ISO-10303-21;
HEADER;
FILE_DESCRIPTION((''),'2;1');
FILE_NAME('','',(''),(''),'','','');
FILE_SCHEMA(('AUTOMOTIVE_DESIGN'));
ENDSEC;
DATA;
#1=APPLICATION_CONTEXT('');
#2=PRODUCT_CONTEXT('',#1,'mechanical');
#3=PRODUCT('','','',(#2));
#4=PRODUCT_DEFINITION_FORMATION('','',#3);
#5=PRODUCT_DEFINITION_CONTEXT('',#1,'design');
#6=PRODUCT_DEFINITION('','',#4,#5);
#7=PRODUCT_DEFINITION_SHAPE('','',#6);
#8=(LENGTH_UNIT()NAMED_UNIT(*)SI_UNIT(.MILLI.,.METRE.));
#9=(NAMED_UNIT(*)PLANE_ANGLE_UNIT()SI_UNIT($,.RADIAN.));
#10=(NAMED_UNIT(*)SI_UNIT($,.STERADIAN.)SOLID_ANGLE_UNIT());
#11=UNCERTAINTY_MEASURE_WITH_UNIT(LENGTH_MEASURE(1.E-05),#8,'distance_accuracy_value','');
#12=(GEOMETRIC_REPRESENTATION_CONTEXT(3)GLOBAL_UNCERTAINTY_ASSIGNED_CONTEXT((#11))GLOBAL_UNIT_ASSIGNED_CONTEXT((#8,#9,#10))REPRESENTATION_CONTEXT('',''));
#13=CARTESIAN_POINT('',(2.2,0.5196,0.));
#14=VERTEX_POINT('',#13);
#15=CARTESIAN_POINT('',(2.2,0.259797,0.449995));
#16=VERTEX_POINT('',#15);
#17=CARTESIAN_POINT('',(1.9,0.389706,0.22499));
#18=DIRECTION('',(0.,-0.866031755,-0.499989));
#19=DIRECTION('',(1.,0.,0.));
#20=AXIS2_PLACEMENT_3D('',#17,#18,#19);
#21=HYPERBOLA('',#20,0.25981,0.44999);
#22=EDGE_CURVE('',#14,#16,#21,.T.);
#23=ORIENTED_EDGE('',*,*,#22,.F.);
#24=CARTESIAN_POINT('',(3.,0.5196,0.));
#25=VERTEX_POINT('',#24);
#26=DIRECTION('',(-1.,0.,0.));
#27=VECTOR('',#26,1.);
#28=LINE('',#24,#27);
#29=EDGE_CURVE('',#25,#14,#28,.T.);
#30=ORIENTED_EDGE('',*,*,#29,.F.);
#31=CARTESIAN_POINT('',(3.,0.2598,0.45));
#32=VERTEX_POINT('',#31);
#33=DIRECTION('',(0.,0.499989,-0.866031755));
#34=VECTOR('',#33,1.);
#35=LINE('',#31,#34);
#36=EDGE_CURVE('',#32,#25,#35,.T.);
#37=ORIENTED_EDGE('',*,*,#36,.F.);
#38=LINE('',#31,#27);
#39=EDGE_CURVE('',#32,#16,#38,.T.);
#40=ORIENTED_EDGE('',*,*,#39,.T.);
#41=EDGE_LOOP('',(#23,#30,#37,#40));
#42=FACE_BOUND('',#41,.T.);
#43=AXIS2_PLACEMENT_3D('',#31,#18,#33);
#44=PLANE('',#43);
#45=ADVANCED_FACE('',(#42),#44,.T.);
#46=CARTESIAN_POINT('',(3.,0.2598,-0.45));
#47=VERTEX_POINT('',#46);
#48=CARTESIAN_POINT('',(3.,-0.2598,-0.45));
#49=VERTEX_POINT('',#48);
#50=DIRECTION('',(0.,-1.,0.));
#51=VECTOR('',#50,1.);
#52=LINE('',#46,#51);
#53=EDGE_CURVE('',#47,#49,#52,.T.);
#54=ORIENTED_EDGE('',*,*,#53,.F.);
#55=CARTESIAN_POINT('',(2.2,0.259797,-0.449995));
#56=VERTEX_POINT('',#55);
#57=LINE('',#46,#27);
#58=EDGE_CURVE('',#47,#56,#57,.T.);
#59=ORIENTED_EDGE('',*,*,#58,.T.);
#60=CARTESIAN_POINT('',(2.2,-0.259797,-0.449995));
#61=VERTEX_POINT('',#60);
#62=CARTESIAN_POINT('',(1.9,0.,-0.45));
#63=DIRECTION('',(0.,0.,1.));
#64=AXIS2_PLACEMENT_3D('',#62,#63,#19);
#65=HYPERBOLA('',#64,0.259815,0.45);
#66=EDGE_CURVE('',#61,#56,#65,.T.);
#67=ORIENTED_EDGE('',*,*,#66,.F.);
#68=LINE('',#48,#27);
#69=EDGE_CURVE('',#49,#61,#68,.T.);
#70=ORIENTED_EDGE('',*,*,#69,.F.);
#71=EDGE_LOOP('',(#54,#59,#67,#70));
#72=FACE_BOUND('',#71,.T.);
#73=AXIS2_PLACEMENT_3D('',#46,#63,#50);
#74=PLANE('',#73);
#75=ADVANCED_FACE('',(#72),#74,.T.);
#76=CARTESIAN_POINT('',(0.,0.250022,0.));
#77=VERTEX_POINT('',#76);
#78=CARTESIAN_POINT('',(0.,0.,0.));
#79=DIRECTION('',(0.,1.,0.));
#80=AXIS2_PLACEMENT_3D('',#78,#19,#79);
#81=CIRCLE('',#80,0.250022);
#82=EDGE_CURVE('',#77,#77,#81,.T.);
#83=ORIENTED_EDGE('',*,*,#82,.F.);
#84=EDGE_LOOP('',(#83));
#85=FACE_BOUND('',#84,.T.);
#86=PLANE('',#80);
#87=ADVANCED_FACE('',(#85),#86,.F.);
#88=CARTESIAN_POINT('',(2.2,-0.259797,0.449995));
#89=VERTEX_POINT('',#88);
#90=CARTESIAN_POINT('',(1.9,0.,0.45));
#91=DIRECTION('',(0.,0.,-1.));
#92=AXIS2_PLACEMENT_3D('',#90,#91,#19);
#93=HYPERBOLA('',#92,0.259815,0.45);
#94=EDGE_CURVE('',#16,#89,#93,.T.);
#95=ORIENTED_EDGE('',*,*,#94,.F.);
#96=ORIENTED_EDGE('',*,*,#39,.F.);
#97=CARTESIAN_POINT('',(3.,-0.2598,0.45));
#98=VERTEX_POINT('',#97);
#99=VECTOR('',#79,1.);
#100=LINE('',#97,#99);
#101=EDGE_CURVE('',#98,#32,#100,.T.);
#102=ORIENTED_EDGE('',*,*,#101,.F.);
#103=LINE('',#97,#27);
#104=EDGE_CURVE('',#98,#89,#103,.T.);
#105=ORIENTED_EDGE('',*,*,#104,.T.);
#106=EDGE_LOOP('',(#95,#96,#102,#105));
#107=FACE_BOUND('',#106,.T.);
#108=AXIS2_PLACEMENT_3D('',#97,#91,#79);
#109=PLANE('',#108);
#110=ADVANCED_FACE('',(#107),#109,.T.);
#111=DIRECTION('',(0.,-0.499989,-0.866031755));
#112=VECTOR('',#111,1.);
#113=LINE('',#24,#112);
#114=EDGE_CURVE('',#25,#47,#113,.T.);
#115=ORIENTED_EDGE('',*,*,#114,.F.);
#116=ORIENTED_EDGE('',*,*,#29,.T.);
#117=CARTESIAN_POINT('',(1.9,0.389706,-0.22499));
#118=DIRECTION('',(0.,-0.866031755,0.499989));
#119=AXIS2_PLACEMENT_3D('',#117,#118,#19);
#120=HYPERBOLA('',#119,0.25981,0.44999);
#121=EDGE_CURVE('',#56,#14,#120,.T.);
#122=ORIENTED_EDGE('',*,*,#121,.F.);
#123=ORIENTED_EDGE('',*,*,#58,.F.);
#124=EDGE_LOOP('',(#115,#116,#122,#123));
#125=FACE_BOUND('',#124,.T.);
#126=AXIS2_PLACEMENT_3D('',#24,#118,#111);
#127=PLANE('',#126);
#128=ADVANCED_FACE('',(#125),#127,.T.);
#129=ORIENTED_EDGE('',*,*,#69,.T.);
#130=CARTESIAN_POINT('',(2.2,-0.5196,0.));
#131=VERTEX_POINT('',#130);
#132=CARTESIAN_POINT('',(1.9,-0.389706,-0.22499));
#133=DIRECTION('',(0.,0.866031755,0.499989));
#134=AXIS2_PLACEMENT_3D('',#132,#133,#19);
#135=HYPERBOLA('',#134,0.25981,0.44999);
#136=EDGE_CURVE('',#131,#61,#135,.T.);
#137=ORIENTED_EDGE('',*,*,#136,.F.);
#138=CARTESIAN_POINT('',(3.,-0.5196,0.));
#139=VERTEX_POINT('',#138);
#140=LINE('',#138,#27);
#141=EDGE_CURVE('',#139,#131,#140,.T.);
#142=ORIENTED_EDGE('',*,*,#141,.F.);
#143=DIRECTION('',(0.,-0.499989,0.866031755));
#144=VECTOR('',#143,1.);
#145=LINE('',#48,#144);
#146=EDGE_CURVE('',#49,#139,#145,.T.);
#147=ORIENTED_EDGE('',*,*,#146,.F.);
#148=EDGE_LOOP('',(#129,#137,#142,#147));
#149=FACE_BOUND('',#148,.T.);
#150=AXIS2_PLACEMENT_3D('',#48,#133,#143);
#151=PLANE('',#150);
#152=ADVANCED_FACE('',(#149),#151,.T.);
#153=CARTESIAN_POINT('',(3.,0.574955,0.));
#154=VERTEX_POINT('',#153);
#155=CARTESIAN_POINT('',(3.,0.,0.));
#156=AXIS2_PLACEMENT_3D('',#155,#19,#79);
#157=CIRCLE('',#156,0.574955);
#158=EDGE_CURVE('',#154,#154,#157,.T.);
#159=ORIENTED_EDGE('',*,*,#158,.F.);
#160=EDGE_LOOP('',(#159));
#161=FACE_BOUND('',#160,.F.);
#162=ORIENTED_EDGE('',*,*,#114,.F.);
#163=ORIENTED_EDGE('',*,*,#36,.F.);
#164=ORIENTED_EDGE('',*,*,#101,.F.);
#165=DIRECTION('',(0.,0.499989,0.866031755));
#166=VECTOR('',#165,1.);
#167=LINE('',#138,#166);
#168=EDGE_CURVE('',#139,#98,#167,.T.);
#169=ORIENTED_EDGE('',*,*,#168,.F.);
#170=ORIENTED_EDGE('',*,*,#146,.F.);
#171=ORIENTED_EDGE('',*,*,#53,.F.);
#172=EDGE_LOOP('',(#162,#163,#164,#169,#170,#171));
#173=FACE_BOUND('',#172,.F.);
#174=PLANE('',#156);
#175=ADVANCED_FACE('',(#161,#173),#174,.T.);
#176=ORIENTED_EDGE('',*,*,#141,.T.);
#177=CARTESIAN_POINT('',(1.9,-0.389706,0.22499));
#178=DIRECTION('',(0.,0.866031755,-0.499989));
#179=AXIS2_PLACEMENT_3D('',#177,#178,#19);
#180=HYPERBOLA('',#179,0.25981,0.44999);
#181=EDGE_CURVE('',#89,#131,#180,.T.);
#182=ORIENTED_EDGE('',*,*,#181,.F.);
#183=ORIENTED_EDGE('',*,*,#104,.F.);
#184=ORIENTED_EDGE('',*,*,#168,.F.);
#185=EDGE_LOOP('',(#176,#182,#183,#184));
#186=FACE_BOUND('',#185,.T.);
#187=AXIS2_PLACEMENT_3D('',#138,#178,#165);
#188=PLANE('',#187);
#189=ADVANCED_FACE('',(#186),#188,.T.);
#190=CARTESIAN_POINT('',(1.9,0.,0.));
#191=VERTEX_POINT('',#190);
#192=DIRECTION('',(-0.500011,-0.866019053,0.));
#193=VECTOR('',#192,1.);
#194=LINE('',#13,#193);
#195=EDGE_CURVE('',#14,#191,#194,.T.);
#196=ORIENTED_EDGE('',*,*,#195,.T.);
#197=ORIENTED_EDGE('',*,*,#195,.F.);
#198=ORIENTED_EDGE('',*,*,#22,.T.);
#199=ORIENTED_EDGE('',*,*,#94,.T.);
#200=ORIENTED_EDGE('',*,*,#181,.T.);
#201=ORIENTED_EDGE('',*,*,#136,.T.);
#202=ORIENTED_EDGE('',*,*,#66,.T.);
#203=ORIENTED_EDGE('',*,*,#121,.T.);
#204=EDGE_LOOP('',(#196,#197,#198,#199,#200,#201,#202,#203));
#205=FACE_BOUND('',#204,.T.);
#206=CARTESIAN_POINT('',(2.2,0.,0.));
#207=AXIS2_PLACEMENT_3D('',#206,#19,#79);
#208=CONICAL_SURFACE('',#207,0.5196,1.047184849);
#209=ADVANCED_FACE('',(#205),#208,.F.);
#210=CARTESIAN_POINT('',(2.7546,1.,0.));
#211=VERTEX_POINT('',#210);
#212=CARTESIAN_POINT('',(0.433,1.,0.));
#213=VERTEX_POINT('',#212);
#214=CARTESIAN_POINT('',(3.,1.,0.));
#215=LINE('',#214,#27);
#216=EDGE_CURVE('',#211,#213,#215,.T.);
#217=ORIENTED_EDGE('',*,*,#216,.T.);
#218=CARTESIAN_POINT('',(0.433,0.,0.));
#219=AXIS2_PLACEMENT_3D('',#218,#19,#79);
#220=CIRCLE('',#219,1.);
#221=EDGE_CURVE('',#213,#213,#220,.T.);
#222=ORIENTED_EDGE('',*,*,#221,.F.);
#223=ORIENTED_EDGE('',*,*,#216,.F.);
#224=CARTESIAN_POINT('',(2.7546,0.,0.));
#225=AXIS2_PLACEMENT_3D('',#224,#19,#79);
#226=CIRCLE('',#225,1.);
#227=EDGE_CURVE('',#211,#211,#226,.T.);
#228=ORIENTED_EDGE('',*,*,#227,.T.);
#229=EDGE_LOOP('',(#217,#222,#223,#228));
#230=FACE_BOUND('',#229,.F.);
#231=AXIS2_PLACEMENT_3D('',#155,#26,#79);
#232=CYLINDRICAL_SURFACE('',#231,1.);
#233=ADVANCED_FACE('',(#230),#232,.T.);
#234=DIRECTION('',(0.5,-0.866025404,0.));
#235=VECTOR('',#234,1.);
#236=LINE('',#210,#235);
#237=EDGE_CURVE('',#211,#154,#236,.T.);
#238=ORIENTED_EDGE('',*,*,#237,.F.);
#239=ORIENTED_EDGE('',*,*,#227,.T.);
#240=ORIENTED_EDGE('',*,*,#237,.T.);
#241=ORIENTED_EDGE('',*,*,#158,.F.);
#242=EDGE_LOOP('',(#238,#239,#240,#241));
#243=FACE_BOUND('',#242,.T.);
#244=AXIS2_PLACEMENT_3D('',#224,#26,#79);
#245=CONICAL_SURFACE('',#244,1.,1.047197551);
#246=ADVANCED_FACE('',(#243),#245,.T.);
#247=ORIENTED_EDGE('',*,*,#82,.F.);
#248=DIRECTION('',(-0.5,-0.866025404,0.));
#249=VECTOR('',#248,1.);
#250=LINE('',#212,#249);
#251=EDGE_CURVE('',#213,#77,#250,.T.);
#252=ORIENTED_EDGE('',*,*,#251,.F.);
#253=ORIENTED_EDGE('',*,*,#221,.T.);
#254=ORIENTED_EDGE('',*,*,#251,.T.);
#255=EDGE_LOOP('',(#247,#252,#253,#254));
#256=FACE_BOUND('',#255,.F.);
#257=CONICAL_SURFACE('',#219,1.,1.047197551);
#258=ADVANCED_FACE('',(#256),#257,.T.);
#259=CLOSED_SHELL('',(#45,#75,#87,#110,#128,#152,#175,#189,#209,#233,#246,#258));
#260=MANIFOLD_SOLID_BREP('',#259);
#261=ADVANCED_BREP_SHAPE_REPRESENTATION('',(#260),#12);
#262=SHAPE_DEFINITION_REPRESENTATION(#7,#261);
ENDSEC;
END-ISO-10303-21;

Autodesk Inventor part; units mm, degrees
ref_plane "YZ Plane" through (0, 0, 0) normal (1, 0, 0) x (0, 1, 0)
ref_plane "XZ Plane" through (0, 0, 0) normal (0, 1, 0) x (-1, 0, 0)
sketch "Skizze1" plane through (0, 0, 0) normal (0, 0, 1) x (1, 0, 0)
  line L0 (0, 0) -> (1.9, 0)
  line L1 (3, 0.5196) -> (3, 1)
  line L2 (3, 1) -> (0, 1)
  line L3 (3, 0.5196) -> (2.2, 0.5196)
  line L4 (2.2, 0.5196) -> (1.9, 0)
  line L5 (0, -0.2) -> (0, 1.2) projected
  line L6 (0, 1) -> (0, 0)
  dimension "d0" = 0.8
  dimension "d1" = 60
  dimension "d2" = 2
  dimension "d3" = 1.0392
  dimension "d5" = 3
revolve "Körper" add sketch "Skizze1" angle 360 about axis through (0, 0, 0) along (1, 0, 0)
sketch "Skizze2" plane through (3, 0, 0) normal (1, 0, 0) x (0, 1, 0)
  circle A0 centre (0, 0) radius 0.5196 projected
  line L0 (-0.2598, 0.45) -> (0.2598, 0.45)
  line L1 (0.2598, 0.45) -> (0.5196, 0)
  line L2 (0.5196, 0) -> (0.2598, -0.45)
  line L3 (0.2598, -0.45) -> (-0.2598, -0.45)
  line L4 (-0.2598, -0.45) -> (-0.5196, 0)
  line L5 (-0.5196, 0) -> (-0.2598, 0.45)
  point P0 (0, 0)
  point P1 (0, 0)
extrude "Loch" add sketch "Skizze2" against normal up to next contours L1 A0 | A0 L2 | L0 A0 | A0 L3 | L5 A0 | A0 L4
thread "Gewinde" size "M2x0.4" class "6g" standard "ISO Metric profile" length 3
chamfer "Fase1" distance 0.433 angle 60 1 edges at (0, -1, 0) measured on face at (2, 0.9871, -0.1604)
chamfer "Fase2" distance 0.2454 angle 60 1 edges at (3, -1, 0) measured on face at (2.1443, 0.9968, -0.0805)
ref_plane "Work Plane1" through (1.5, 0, 0) normal (0, 0, 1) x (1, 0, 0)
equation "\"d0\" = INTI"
equation "\"d2\" = NND"
equation "\"d3\" = 1.1547 * SW"
equation "\"d5\" = NLG"
equation "\"d12\" = NLG"
equation "\"d9\" = FAWI"
equation "\"d10\" = -0.5 * GD1 + 0.5 * NND"
equation "\"d11\" = FAWI"
equation "\"d35\" = -0.5 * GD1 + 0.5 * NND"
equation "\"NND\" = 2"
equation "\"NLG\" = 3"
equation "\"INTI\" = 0.8"
equation "\"FAWI\" = 60deg"
equation "\"SW\" = 0.9"
equation "\"GD1\" = THREADDIA - 1.2269 * PTC"
equation "\"FAWI1\" = 45deg"
equation "\"SPD\" = 0.5"
equation "\"GUL\" = 0.61345 * PTC"
equation "\"TOA\" = 30deg"
equation "\"THREADDIA\" = 2"
equation "\"PTC\" = 0.4"
equation "\"GAL\" = 0.61345 * PTC"
equation "\"E0\" = 1.155 * SW"
properties part number "ISO 4027 - M2 x 3" material "Edelstahl, 440C"
